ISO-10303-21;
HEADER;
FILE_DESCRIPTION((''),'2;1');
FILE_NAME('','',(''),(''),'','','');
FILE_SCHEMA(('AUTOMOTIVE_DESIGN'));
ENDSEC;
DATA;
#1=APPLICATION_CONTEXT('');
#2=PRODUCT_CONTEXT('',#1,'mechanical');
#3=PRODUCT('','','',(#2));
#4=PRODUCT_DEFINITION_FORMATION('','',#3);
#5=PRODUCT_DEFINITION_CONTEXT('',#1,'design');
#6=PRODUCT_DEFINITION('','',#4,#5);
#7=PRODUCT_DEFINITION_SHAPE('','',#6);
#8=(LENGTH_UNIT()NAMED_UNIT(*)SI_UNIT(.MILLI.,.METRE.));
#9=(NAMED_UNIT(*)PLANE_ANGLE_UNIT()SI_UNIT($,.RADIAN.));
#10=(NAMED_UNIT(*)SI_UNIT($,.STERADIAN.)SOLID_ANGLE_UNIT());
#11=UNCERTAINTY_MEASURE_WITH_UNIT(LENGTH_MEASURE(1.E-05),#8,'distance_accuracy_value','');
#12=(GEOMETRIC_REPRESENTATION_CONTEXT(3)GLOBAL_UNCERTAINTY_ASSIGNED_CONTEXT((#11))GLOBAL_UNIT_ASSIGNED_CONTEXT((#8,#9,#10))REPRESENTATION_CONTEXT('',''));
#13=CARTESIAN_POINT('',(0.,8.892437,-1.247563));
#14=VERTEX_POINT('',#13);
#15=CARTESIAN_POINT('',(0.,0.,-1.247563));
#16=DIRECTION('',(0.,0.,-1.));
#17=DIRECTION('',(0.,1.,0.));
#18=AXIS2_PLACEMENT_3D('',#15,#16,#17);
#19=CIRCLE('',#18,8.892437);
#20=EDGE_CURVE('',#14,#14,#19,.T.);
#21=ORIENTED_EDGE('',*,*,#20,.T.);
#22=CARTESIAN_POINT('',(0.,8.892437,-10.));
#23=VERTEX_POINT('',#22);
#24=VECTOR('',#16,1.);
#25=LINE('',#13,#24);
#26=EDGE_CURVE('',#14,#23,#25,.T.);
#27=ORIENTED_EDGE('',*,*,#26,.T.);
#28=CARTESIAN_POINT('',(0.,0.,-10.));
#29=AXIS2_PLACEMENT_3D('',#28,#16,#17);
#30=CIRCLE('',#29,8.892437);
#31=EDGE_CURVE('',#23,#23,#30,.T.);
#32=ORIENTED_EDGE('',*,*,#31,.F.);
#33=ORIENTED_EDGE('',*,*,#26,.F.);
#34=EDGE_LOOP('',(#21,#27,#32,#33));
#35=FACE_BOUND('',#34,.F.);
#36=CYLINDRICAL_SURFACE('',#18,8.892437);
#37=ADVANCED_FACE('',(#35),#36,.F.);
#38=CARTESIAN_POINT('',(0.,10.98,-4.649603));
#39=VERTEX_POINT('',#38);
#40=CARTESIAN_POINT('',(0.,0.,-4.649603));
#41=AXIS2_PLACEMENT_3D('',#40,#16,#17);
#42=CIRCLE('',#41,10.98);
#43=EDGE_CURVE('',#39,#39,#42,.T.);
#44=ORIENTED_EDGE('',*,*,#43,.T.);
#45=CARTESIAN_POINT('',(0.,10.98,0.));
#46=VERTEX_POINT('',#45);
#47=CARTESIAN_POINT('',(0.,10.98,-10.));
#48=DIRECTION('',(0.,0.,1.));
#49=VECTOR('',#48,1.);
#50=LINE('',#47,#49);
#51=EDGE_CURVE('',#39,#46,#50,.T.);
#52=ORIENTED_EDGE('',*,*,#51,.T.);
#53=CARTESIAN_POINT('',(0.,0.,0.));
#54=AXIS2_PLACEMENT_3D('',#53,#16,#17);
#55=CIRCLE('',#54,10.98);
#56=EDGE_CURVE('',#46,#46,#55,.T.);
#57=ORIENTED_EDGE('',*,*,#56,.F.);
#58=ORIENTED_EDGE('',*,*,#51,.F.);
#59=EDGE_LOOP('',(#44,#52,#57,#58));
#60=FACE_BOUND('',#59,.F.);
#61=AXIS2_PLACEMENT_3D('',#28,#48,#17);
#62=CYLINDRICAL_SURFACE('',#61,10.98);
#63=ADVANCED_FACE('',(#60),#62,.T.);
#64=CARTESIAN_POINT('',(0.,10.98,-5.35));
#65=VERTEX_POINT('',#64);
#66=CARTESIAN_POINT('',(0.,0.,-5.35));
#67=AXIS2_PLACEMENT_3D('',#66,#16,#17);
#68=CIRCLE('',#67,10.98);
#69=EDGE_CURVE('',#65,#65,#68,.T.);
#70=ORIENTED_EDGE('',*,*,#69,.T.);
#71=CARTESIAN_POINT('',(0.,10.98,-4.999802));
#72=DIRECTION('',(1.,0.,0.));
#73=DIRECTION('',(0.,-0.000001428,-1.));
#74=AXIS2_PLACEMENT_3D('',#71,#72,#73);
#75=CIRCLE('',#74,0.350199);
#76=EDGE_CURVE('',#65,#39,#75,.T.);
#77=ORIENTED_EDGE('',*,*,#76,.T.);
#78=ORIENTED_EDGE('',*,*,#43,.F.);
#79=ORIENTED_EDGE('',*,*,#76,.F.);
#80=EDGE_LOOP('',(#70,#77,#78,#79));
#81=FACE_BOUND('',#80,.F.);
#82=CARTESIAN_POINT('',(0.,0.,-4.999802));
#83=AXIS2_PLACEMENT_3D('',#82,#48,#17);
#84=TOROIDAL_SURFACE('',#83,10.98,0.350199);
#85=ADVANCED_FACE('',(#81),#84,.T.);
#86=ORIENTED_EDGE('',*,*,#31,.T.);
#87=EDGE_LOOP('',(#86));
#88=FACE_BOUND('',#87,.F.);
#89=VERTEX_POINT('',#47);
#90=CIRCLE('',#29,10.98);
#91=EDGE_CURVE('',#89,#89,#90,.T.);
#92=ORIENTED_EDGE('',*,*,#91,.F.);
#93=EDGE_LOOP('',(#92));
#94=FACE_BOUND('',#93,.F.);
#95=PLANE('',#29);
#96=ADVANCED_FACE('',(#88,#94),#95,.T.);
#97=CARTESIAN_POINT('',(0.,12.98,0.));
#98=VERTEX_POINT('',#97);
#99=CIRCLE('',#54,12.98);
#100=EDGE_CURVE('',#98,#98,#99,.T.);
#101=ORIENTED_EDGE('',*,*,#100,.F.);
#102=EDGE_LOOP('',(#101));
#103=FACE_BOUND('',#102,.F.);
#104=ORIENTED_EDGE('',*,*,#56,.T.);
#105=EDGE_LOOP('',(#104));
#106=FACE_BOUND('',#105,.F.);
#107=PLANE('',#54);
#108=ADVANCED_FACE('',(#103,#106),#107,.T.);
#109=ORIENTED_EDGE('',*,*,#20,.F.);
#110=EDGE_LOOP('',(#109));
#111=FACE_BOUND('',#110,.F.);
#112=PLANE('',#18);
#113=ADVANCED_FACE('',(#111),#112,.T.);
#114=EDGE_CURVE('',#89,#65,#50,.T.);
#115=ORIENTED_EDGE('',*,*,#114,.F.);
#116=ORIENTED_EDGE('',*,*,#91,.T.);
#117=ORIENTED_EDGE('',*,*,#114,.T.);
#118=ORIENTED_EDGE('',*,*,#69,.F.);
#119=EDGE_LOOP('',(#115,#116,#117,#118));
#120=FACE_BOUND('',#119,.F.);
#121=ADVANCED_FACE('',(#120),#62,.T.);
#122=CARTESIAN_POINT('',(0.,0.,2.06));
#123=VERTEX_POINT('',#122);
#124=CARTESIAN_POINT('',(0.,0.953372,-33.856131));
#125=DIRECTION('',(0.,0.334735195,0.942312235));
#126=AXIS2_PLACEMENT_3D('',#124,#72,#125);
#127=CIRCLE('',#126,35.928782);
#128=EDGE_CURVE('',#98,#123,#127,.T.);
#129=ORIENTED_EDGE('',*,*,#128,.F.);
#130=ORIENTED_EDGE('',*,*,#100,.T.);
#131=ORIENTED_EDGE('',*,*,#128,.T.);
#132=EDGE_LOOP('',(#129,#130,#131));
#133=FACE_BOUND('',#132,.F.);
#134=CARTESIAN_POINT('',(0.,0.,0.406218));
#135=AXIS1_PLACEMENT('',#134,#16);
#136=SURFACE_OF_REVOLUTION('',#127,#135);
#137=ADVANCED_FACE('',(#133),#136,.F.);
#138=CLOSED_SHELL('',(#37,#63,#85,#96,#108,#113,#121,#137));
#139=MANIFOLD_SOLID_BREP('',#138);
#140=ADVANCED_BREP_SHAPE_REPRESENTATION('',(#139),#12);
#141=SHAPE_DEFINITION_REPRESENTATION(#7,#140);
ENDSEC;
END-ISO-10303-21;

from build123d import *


with BuildPart() as f1:
    # F0 (on Right) → F1 (revolve)
    with BuildSketch(Plane.YZ):
        with BuildLine():
            Line((10.98, -4.649603), (10.98, 0))
            Line((10.98, 0), (12.98, 0))
            ThreePointArc((12.98, 0), (6.584993, 1.628545), (0, 2.06))
            Line((0, 2.06), (0, -1.247563))
            Line((0, -1.247563), (8.892437, -1.247563))
            Line((8.892437, -1.247563), (8.892437, -10))
            Line((8.892437, -10), (10.98, -10))
            Line((10.98, -10), (10.98, -5.35))
            Line((10.98, -5.35), (10.98, -4.649603))
        make_face()
        with BuildLine():
            ThreePointArc((10.98, -5.35), (11.330199, -4.999801), (10.98, -4.649603))
            Line((10.98, -4.649603), (10.98, -5.35))
        make_face()
    revolve(axis=Axis((0, 0, 0.406218), (0, 0, -1)))


solid = f1.part
